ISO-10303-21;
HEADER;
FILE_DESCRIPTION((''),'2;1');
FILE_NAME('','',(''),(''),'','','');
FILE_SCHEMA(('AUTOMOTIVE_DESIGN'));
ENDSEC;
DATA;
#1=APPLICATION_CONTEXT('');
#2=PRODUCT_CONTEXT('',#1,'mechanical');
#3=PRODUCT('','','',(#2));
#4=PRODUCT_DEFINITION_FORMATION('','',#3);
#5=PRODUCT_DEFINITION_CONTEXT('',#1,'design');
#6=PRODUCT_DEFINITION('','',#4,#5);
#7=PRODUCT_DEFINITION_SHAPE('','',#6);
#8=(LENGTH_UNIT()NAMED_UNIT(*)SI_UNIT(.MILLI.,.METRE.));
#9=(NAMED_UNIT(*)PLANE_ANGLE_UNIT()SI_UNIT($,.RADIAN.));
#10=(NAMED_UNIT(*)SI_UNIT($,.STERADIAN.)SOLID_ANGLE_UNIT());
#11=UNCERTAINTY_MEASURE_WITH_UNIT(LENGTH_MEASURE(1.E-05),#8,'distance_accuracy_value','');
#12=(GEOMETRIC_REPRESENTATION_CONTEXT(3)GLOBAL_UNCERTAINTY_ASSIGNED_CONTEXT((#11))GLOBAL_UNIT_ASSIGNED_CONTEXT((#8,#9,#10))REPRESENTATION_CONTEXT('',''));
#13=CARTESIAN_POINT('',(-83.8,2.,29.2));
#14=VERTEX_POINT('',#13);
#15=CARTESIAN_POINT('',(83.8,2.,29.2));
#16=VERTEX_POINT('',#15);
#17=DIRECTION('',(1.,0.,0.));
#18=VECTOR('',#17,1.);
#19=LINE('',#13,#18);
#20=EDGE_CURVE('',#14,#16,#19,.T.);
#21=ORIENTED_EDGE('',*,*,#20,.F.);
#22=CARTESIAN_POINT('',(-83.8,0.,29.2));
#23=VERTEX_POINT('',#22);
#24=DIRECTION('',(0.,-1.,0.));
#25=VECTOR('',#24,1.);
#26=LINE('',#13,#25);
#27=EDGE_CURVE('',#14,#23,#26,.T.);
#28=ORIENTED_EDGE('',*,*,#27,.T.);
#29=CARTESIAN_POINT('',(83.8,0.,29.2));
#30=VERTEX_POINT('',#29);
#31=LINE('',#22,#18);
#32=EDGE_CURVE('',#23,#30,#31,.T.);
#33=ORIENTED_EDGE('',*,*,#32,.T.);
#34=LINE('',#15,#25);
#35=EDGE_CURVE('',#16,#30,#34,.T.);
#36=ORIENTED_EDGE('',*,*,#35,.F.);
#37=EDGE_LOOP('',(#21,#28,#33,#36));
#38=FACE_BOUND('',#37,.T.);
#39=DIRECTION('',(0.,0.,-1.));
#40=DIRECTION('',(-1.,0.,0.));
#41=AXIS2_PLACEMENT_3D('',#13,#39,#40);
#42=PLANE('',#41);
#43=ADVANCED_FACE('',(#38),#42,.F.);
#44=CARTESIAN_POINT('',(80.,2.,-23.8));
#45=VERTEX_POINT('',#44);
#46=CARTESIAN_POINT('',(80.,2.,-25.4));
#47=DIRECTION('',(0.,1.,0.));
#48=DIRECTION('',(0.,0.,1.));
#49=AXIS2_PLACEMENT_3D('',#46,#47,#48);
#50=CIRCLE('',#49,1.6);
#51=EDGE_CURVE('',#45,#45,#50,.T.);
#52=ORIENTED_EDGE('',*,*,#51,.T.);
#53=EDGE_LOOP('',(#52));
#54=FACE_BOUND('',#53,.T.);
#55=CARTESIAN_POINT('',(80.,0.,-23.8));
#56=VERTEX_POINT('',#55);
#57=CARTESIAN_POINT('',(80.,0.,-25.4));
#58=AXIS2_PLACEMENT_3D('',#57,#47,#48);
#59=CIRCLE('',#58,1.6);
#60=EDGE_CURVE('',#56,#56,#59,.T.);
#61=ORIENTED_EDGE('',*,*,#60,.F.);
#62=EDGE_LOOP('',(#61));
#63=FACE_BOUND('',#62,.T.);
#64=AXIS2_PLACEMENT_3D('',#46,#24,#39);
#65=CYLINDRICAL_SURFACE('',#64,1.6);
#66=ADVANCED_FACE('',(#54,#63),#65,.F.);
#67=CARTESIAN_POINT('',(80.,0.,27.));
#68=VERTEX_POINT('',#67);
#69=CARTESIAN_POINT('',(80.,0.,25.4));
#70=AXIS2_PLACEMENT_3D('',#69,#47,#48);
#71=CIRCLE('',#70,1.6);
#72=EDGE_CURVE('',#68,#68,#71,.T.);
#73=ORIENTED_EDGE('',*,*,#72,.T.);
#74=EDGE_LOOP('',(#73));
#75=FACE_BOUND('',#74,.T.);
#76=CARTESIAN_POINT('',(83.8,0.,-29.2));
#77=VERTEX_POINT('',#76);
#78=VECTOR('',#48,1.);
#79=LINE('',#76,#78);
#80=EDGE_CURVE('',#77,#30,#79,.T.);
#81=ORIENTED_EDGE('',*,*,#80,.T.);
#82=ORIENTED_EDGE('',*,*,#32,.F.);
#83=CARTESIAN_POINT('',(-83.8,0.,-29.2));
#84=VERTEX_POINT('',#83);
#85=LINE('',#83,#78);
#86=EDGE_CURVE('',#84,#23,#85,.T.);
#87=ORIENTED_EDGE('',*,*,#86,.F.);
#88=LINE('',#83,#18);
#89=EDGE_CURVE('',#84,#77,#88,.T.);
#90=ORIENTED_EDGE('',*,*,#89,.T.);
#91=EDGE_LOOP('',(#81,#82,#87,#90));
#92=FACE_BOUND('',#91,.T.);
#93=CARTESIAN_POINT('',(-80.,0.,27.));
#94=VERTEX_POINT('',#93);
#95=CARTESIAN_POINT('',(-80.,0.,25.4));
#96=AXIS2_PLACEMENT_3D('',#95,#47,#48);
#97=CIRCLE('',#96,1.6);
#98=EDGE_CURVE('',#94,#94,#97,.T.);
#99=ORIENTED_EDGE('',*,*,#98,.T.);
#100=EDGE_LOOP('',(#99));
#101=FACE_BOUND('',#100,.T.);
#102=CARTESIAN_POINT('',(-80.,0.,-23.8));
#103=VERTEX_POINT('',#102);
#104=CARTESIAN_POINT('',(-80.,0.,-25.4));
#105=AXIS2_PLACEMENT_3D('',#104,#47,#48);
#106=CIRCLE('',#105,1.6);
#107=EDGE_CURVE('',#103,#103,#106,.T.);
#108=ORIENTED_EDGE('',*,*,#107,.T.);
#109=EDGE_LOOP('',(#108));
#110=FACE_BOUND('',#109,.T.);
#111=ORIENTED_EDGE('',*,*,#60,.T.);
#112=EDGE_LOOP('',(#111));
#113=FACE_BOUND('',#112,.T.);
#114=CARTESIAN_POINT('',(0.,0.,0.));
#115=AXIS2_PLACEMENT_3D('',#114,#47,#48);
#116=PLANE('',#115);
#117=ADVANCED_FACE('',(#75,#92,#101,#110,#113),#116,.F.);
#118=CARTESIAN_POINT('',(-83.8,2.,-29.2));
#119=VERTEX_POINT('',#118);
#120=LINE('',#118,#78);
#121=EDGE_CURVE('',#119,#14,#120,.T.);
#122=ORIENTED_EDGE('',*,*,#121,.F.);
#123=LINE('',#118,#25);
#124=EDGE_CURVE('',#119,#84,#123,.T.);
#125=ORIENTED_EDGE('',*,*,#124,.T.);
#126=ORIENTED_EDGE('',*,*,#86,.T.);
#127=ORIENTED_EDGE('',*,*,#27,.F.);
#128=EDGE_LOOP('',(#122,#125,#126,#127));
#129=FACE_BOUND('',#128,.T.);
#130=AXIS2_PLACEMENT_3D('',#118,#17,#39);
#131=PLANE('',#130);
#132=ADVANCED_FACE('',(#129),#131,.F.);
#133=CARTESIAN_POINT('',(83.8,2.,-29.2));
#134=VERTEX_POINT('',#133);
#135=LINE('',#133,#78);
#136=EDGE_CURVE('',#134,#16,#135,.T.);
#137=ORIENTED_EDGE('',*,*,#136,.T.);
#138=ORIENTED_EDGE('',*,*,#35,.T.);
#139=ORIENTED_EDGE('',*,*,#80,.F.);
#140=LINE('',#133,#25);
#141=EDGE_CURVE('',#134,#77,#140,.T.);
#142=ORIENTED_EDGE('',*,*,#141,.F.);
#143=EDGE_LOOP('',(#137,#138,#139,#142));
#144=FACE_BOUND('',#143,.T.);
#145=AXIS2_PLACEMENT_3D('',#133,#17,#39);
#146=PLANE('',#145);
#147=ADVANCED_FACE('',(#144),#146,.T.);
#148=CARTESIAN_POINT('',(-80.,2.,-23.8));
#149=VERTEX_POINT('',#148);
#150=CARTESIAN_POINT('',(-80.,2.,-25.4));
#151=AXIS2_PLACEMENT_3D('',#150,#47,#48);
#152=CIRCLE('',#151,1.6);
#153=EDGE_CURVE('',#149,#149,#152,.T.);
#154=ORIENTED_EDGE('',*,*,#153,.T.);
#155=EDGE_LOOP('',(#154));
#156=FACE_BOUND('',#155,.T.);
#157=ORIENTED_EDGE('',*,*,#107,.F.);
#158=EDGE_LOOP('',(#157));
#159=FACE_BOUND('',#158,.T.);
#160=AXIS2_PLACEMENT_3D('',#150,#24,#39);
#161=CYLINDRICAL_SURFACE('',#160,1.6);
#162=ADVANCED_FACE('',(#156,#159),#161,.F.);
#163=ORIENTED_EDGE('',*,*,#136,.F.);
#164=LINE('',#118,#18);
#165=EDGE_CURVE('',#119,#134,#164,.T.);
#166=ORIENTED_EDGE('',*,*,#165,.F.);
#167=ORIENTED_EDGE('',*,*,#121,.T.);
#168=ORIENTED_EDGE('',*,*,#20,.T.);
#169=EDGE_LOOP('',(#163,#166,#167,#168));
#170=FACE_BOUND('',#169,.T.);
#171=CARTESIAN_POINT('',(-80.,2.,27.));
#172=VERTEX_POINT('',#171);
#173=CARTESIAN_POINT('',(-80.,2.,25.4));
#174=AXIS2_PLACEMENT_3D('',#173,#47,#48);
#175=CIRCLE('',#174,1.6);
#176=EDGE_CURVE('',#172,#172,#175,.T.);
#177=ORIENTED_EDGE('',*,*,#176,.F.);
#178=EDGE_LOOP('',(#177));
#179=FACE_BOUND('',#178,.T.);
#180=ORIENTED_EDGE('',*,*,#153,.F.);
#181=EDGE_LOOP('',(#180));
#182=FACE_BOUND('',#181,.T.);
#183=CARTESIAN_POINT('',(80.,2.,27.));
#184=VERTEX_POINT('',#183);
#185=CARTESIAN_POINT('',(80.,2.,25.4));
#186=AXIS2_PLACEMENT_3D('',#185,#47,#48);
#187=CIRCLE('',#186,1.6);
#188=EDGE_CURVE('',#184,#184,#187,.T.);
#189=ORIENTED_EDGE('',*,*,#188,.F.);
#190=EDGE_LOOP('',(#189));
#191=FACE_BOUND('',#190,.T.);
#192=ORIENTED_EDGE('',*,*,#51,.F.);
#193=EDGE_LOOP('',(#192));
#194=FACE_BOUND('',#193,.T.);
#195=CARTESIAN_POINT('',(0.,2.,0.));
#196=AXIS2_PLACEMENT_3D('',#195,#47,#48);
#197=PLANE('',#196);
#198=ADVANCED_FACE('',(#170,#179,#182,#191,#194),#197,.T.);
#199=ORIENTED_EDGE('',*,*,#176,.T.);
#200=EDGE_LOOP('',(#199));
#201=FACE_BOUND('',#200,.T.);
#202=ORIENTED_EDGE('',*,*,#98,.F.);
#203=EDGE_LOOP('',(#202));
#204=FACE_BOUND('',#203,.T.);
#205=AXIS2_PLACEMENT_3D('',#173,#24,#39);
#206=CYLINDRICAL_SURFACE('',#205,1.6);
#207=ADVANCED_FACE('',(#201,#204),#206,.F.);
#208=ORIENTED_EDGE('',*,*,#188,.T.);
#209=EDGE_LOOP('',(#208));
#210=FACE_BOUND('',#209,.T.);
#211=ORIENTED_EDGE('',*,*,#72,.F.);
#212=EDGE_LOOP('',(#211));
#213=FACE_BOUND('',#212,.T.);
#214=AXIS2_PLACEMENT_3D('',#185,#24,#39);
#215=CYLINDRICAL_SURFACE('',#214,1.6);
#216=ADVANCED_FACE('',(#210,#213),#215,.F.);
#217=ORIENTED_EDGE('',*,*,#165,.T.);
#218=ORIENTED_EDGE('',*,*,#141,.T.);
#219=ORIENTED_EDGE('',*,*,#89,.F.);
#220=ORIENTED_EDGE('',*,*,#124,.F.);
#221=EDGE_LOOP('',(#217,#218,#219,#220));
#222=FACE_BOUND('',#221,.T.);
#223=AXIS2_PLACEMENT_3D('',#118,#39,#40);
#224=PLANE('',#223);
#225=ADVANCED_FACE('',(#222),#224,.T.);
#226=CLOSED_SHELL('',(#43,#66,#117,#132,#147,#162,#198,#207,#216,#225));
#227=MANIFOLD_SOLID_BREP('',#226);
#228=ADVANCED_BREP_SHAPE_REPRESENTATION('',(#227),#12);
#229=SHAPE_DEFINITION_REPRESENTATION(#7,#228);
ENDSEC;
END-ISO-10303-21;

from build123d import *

# Parameters (mm, degrees)
SKETCH1_W           = 167.6
SKETCH1_H           = 58.4
BOSS_EXTRUDE1_DEPTH = 2
SKETCH2_R           = 1.6
CUT_EXTRUDE1_DEPTH  = 89.764181965


with BuildPart() as part:
    # Sketch1 → Boss-Extrude1 (new body)
    with BuildSketch(Plane(origin=(0, 0, 0), x_dir=(1, 0, 0), z_dir=(0, 1, 0))):
        Rectangle(SKETCH1_W, SKETCH1_H)
    extrude(amount=BOSS_EXTRUDE1_DEPTH)

    # Sketch2 → Cut-Extrude1 (cut, through all)
    with BuildSketch(Plane(origin=(0, 0, 0), x_dir=(1, 0, 0), z_dir=(0, 1, 0))):
        with Locations(Location((-80, 25.4, 0), (0, 0, 270))):
            Circle(SKETCH2_R)
        with Locations(Location((-80, -25.4, 0), (0, 0, 270))):
            Circle(SKETCH2_R)
        with Locations(Location((80, 25.4, 0), (0, 0, 270))):
            Circle(SKETCH2_R)
        with Locations(Location((80, -25.4, 0), (0, 0, 270))):
            Circle(SKETCH2_R)
    extrude(amount=CUT_EXTRUDE1_DEPTH, mode=Mode.SUBTRACT)


solid = part.part
